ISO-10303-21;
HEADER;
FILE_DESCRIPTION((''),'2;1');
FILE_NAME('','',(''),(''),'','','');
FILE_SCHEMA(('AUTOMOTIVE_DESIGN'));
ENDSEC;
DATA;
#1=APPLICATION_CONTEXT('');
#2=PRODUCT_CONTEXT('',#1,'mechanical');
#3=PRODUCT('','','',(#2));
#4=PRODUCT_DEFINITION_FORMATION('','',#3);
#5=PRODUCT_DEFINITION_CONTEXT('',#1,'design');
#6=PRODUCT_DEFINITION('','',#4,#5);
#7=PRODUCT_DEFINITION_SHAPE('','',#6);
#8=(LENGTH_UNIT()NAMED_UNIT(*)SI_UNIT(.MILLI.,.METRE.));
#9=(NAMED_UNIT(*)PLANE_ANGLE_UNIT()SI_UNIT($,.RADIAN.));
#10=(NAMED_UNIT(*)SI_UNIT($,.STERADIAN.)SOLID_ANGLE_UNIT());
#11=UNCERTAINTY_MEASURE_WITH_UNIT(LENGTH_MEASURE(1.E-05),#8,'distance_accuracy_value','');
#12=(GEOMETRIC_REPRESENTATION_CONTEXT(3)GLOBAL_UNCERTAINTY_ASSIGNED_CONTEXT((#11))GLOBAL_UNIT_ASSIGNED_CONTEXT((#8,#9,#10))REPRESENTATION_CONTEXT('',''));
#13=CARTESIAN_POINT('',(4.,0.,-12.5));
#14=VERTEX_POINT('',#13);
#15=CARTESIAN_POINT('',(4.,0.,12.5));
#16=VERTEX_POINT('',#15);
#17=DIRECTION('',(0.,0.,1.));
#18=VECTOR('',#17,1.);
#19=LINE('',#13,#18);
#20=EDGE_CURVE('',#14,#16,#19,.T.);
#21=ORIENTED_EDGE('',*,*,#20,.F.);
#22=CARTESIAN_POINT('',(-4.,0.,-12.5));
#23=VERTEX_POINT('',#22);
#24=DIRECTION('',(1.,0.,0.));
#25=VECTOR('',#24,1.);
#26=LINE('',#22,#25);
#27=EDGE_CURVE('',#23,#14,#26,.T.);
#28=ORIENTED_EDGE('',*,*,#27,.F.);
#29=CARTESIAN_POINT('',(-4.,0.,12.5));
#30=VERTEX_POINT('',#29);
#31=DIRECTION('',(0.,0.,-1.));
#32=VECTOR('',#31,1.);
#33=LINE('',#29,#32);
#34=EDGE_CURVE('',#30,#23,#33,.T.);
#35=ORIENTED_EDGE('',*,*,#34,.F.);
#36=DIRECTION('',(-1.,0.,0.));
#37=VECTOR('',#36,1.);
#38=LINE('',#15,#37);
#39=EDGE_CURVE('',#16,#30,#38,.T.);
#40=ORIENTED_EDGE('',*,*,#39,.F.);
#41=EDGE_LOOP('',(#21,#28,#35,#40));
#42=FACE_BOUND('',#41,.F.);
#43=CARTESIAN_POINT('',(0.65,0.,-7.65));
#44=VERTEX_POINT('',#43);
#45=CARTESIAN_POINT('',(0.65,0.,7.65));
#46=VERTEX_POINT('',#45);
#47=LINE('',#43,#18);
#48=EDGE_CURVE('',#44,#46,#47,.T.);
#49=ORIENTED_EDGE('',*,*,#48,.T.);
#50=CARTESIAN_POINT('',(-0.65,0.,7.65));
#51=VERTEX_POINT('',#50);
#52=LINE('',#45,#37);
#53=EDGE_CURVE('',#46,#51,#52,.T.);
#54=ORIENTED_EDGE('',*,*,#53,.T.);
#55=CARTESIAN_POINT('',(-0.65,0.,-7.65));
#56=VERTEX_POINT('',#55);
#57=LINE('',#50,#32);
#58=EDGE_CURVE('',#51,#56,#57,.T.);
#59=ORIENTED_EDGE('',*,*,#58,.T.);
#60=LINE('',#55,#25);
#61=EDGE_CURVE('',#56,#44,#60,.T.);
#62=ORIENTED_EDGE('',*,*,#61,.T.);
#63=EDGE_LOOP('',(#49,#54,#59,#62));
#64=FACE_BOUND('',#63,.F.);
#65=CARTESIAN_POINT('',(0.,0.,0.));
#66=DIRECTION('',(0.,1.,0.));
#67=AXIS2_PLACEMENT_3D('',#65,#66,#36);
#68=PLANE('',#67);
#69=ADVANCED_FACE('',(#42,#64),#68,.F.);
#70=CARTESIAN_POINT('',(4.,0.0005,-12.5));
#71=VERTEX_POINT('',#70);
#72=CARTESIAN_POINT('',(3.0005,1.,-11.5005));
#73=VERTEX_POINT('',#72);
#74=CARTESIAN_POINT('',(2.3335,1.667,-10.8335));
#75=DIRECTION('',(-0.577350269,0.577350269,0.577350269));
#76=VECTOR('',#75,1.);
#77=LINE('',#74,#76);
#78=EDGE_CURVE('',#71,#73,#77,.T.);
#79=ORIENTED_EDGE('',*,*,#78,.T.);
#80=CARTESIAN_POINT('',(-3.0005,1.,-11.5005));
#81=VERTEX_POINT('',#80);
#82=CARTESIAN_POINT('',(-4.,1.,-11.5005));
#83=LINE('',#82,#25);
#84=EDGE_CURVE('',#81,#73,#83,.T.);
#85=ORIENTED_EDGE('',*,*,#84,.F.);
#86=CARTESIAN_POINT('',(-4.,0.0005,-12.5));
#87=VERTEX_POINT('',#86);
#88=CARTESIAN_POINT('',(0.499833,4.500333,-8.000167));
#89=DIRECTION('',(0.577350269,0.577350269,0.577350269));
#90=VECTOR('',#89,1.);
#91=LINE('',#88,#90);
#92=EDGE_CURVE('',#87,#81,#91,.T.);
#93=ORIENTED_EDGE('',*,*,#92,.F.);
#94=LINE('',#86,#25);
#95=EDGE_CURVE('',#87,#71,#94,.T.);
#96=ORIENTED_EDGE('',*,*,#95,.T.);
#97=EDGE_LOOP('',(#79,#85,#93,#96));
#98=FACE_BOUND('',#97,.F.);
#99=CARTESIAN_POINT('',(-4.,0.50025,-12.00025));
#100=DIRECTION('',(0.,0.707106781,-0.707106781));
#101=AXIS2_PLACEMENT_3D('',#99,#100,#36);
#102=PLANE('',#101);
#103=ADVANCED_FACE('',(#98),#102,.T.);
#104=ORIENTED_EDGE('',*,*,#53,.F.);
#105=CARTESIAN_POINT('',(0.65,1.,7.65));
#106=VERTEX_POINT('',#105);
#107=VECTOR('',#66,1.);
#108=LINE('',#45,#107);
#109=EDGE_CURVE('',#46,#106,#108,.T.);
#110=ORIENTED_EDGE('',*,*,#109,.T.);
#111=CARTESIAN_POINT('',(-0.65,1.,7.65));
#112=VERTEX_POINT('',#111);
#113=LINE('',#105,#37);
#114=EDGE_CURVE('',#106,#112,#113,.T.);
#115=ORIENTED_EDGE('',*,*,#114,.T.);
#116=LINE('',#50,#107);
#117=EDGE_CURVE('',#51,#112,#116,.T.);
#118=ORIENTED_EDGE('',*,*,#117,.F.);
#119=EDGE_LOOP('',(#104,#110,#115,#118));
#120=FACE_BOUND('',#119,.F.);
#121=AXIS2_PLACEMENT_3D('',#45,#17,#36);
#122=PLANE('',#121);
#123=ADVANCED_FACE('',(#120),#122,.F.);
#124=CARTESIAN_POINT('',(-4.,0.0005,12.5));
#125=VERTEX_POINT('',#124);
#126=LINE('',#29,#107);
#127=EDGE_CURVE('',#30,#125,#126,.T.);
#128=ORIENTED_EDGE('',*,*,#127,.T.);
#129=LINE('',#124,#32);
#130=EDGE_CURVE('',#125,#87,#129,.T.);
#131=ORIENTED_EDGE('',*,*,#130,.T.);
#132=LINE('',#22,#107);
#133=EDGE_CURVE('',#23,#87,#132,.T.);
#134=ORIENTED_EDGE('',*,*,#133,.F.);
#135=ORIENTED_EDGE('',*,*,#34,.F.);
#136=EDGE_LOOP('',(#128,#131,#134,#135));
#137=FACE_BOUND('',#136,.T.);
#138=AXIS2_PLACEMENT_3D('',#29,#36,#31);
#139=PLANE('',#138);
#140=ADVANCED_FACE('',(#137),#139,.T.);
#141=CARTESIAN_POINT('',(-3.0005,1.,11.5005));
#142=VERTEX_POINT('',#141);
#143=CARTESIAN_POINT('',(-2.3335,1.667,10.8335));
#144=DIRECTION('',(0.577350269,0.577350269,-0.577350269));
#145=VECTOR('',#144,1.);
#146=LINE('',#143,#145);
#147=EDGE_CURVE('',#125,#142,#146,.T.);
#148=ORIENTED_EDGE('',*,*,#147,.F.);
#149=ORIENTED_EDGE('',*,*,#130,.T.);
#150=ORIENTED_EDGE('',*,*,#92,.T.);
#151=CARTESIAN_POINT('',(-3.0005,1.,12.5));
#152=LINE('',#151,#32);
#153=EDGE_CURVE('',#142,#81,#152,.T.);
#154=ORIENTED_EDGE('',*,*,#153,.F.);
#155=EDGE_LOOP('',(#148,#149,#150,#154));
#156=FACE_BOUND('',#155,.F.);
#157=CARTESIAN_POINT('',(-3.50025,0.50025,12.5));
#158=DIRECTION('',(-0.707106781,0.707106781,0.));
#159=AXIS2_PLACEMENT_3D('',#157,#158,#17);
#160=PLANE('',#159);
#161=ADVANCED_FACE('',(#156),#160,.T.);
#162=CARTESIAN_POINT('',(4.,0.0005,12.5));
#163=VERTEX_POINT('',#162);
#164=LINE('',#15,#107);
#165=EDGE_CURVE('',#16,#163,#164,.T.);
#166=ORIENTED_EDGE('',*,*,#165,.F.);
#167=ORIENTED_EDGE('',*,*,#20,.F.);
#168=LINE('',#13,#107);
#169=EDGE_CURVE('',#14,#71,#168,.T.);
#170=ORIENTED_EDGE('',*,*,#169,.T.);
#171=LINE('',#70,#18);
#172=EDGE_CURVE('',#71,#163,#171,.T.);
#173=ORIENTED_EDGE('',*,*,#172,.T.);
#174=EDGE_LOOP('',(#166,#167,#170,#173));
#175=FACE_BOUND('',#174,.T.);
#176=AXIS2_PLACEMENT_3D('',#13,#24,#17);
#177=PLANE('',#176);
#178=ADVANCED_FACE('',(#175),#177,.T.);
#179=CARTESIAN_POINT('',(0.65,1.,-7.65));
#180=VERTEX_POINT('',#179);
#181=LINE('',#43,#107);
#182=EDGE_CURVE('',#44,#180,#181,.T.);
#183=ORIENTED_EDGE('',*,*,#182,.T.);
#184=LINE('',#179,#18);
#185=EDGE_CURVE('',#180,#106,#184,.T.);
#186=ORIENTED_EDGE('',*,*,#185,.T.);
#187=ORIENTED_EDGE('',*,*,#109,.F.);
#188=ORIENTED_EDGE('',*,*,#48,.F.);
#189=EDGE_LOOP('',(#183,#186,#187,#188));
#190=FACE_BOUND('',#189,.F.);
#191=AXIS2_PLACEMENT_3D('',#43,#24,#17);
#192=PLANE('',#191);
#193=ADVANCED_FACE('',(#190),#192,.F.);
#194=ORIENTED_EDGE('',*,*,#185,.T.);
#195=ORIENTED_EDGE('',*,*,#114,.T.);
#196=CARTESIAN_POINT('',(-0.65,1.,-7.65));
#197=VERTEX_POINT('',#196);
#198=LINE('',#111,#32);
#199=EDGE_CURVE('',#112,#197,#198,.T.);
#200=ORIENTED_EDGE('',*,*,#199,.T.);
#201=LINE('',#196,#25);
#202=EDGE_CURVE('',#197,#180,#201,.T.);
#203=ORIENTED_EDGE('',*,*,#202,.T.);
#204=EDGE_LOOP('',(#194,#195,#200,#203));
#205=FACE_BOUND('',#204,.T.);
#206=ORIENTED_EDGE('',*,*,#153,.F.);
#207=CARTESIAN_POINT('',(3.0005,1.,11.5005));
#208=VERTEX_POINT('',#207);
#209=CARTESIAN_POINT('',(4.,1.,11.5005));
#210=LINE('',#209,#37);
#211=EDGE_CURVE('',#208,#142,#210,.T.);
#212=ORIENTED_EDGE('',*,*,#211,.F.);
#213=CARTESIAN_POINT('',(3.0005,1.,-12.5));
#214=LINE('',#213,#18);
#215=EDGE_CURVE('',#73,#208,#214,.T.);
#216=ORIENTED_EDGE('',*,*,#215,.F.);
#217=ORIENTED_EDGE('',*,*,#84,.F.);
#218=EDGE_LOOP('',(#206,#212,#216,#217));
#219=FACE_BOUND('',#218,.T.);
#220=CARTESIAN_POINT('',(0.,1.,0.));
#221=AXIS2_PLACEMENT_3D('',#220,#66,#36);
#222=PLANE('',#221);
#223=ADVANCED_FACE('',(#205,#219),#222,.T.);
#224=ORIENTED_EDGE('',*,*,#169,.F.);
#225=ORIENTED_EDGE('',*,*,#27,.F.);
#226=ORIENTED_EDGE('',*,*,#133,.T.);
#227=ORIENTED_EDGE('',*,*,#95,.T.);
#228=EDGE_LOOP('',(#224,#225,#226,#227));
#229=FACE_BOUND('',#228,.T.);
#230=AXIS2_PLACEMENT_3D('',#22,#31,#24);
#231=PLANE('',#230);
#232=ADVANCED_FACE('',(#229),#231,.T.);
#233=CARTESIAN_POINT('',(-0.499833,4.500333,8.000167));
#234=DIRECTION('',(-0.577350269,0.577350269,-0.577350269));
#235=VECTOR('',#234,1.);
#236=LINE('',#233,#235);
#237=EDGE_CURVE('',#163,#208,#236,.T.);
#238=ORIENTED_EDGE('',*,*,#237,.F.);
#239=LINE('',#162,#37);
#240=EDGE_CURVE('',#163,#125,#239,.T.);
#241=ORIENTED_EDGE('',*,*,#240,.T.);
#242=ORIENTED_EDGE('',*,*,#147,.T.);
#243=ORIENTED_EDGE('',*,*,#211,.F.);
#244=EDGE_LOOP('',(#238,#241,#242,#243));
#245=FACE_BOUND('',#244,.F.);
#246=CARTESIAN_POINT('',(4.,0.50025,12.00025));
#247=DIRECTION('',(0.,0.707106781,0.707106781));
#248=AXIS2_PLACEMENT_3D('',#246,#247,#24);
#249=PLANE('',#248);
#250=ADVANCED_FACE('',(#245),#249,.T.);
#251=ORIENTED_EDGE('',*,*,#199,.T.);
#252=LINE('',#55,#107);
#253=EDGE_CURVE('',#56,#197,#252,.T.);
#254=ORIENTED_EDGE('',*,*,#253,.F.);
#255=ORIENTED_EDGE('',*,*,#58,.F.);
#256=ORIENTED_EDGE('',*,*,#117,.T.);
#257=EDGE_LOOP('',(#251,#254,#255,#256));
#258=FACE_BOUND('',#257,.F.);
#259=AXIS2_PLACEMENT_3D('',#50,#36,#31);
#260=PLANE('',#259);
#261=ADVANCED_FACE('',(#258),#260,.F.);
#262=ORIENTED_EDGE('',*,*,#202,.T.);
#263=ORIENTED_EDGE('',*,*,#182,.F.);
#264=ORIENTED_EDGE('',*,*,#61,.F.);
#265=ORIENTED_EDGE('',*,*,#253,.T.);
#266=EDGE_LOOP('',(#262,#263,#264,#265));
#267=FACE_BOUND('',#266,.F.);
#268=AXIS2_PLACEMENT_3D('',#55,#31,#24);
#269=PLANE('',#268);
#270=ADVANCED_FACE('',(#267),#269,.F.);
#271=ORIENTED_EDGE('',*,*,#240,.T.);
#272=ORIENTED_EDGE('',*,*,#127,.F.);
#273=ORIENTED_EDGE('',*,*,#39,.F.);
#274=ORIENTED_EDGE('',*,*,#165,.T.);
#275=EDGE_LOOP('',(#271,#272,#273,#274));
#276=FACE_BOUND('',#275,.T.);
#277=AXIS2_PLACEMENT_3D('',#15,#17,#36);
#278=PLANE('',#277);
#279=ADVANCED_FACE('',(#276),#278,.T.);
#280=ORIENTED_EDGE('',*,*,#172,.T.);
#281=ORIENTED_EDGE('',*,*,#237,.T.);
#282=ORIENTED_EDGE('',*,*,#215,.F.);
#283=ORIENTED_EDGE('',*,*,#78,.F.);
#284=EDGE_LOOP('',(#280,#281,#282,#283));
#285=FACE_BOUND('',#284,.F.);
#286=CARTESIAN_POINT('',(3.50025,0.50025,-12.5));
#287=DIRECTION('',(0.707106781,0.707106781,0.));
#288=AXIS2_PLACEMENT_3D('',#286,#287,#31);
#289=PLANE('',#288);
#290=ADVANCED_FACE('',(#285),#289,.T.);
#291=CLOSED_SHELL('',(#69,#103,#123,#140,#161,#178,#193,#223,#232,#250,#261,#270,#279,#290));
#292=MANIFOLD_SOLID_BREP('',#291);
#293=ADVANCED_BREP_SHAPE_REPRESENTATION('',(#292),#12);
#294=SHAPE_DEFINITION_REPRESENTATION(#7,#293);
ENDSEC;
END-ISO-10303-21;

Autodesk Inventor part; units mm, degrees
ref_plane "YZ Plane" through (0, 0, 0) normal (1, 0, 0) x (0, 1, 0)
ref_plane "XZ Plane" through (0, 0, 0) normal (0, 1, 0) x (-1, 0, 0)
ref_plane "XY Plane" through (0, 0, 0) normal (0, 0, 1) x (1, 0, 0)
sketch "スケッチ1" plane through (0, 0, 0) normal (0, 1, 0) x (-1, 0, 0)
  line L0 (-0.65, 7.65) -> (0.65, 7.65)
  line L1 (0.65, 7.65) -> (0.65, -7.65)
  line L2 (0.65, -7.65) -> (-0.65, -7.65)
  line L3 (-0.65, -7.65) -> (-0.65, 7.65)
  line L4 (-0.65, 7.65) -> (0.65, -7.65) construction
  line L5 (0.65, 7.65) -> (-0.65, -7.65) construction
  line L6 (-4, 12.5) -> (4, 12.5)
  line L7 (4, 12.5) -> (4, -12.5)
  line L8 (4, -12.5) -> (-4, -12.5)
  line L9 (-4, -12.5) -> (-4, 12.5)
  line L10 (-4, 12.5) -> (4, -12.5) construction
  line L11 (4, 12.5) -> (-4, -12.5) construction
  point P0 (0, 0)
  dimension "d0" = 1.3
  dimension "d1" = 15.3
  dimension "d2" = 8
  dimension "d3" = 25
extrude "押し出し1" add sketch "スケッチ1" along normal blind 1
chamfer "面取り1" distance 1 angle 45 4 edges at (-4, 1, 0) (0, 1, -12.5) (4, 1, 0) (0, 1, 12.5)
properties part number "HornHolder" material "ABS プラスチック"
